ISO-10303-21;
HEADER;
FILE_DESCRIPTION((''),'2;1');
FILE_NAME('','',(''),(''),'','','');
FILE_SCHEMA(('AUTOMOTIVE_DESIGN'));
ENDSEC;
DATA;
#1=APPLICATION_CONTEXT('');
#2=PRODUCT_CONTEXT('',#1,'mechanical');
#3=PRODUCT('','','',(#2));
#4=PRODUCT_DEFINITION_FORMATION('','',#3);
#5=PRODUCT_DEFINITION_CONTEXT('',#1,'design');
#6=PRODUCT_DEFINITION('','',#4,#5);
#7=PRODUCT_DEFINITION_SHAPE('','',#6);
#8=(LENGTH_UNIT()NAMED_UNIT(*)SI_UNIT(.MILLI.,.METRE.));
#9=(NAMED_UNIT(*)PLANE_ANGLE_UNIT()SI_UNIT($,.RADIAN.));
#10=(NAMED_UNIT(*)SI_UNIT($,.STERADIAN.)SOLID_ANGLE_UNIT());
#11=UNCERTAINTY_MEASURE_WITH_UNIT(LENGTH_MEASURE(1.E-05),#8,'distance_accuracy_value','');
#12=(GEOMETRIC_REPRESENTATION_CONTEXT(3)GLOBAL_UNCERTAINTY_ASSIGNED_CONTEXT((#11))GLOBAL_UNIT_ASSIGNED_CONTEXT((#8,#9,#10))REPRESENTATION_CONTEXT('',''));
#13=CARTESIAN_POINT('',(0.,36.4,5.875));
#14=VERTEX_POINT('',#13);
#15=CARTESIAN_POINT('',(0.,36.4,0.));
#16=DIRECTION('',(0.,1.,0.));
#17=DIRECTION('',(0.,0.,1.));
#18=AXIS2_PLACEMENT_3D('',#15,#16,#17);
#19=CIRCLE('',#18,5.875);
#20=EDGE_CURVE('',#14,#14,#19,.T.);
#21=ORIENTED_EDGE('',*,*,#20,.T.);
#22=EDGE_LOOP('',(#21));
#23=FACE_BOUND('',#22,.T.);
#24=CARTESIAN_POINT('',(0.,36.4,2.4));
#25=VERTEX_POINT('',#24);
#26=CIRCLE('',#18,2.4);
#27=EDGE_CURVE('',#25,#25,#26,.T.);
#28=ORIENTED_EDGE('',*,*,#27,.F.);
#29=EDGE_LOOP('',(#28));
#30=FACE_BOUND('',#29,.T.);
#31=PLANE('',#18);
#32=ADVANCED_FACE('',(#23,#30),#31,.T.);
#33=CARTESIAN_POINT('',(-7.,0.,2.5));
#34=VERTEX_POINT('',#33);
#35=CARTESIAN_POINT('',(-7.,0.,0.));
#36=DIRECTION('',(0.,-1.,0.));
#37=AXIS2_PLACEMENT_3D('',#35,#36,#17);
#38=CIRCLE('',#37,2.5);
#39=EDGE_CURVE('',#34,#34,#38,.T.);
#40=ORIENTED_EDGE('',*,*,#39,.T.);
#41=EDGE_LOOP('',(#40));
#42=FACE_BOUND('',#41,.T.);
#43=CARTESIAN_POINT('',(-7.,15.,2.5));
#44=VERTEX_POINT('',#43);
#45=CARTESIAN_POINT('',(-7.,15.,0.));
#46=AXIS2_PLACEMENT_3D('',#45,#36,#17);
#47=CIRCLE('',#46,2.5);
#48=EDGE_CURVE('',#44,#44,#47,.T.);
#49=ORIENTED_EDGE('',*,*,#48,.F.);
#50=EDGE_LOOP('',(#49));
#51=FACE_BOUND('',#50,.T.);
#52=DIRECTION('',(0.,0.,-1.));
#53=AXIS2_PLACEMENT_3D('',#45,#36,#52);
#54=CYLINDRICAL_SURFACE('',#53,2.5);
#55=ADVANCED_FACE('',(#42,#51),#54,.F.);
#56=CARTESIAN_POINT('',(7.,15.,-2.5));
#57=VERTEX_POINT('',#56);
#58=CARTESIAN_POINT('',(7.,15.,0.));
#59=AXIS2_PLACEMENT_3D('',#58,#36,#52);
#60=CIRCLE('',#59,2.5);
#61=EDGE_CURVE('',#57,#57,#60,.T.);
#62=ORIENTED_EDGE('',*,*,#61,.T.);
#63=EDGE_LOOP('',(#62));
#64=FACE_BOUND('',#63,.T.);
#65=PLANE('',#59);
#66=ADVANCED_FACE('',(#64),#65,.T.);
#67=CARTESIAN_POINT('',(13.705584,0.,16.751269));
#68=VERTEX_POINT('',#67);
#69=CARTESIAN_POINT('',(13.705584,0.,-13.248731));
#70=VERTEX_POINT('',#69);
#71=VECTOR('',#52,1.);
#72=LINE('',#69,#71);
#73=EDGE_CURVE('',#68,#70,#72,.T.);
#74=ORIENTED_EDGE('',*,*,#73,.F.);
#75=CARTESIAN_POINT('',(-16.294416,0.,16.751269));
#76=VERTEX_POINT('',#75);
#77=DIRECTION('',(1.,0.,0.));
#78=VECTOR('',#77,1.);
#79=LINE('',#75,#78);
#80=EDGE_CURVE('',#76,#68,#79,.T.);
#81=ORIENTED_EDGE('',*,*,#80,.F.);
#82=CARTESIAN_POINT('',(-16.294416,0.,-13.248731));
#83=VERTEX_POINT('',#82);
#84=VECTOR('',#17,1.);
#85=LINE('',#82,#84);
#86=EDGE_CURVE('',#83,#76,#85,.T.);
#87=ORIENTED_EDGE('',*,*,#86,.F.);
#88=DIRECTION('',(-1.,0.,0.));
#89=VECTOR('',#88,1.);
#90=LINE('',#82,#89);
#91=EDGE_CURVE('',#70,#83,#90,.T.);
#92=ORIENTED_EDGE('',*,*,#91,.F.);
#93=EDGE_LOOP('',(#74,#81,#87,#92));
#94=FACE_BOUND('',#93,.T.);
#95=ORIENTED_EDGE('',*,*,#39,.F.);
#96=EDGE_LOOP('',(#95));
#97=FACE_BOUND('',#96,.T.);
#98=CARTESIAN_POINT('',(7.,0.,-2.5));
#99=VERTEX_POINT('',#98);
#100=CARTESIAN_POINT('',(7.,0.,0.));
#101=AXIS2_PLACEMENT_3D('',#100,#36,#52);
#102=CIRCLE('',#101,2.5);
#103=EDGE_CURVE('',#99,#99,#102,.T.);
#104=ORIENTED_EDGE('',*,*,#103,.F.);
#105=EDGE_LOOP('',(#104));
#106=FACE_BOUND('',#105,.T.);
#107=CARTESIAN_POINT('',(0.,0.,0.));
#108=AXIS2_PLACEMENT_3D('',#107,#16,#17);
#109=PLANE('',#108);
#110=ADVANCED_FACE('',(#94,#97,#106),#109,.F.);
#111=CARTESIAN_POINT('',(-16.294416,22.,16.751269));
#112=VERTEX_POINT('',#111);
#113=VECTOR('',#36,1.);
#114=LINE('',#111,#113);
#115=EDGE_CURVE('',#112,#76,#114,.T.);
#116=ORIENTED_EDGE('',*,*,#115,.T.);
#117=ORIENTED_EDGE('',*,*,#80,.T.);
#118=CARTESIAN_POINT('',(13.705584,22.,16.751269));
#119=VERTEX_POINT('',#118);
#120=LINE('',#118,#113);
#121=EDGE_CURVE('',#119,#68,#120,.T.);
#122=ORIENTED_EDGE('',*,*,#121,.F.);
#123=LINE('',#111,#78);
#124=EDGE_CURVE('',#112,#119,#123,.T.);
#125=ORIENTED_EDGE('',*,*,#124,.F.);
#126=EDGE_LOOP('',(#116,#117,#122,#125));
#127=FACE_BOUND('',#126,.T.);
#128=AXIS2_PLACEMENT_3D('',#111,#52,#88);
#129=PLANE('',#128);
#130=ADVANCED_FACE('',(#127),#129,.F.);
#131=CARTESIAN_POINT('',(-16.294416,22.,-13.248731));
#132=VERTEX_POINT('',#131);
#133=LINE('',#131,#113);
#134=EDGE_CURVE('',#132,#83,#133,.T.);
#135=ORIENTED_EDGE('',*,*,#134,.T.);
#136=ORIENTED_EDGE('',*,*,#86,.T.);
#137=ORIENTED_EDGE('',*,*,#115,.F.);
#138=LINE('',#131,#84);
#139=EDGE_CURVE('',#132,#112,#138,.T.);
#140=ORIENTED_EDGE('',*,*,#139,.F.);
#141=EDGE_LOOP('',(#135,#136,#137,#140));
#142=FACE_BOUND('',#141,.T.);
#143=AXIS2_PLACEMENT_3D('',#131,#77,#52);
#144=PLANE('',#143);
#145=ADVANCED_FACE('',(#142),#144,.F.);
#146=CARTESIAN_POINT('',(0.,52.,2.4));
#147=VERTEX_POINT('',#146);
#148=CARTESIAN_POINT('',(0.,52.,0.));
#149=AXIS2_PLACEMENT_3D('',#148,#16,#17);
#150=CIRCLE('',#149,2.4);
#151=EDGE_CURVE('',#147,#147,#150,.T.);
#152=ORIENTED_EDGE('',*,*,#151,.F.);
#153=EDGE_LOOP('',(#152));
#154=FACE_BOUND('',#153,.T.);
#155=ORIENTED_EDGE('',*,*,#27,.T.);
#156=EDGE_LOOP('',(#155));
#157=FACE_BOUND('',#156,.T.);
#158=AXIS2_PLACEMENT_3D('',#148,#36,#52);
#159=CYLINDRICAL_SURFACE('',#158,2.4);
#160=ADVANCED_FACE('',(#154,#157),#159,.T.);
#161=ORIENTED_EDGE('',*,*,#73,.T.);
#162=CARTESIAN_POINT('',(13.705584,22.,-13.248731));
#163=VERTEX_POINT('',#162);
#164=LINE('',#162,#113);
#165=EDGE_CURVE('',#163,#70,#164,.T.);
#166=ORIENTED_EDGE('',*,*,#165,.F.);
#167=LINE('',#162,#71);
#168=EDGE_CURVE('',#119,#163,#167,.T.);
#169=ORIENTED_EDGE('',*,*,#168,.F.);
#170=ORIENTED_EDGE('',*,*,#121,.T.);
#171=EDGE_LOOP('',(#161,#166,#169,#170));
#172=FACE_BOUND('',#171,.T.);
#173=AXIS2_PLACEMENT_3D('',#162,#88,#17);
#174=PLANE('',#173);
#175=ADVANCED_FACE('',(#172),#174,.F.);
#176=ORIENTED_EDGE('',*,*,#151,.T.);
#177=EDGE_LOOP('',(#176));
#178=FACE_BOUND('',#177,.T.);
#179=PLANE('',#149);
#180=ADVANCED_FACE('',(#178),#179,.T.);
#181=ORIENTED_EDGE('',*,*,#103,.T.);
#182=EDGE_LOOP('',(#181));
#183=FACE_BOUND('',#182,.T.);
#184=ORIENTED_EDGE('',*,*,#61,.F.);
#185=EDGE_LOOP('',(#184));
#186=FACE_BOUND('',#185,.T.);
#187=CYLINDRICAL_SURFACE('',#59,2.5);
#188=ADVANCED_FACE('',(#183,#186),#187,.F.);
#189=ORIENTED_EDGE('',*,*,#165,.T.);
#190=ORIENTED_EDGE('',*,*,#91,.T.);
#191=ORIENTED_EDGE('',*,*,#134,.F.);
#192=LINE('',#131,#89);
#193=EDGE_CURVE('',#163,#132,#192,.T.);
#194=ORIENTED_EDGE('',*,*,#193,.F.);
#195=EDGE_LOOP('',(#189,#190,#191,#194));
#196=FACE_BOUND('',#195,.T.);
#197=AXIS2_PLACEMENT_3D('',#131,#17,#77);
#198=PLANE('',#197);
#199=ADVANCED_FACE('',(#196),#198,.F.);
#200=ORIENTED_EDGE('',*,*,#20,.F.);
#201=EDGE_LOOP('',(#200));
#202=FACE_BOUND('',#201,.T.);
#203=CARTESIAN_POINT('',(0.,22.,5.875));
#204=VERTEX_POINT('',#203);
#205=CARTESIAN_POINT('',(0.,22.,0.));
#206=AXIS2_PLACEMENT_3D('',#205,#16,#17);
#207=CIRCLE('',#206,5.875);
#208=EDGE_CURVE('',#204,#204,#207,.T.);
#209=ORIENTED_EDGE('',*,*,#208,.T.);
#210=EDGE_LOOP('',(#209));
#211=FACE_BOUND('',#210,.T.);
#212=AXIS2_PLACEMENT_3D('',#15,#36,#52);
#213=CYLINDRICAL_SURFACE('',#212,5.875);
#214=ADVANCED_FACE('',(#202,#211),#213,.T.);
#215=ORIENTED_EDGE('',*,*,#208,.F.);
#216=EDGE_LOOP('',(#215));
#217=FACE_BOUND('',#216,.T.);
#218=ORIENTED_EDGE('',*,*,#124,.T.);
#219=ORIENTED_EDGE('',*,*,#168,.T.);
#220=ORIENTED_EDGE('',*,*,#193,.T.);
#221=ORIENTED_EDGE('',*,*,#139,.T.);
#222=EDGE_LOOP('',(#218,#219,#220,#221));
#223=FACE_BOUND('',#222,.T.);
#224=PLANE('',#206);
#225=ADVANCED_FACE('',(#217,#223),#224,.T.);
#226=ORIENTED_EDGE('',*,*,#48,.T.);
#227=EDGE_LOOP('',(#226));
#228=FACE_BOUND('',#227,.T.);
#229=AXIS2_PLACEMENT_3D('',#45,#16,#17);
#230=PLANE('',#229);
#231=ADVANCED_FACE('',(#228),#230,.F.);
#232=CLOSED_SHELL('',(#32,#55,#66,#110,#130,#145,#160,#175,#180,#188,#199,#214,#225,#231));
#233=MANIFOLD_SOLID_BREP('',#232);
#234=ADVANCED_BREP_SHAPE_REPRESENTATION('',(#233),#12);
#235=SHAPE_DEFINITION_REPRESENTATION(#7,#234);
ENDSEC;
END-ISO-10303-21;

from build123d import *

# Parameters (mm, degrees)
SKETCH_1_W          = 30
SKETCH_1_H          = 30
EXTRUDE_275_DEPTH   = 22
SKETCH_2_R          = 5.875
EXTRUDE_2_DEPTH     = 14.4
SKETCH_4_R          = 2.4
EXTRUDE_3_DEPTH     = 15.6
SKETCH_5_R          = 2.5
CUT_EXTRUDE_1_DEPTH = 15


with BuildPart() as part:
    # Эскиз1 → Extrude 275 (new body)
    with BuildSketch(Plane(origin=(0, 0, 0), x_dir=(1, 0, 0), z_dir=(0, 1, 0))):
        with Locations((-1.294416244, -1.751269036)):
            Rectangle(SKETCH_1_W, SKETCH_1_H)
    extrude(amount=EXTRUDE_275_DEPTH)

    # Эскиз2 → Бобышка-Вытянуть2 (add)
    with BuildSketch(Plane(origin=(0, 22, 0), x_dir=(1, 0, 0), z_dir=(0, 1, 0))):
        with Locations(Location((0, 0, 0), (0, 0, 270))):
            Circle(SKETCH_2_R)
    extrude(amount=EXTRUDE_2_DEPTH)

    # Эскиз4 → Бобышка-Вытянуть3 (add)
    with BuildSketch(Plane(origin=(0, 36.4, 0), x_dir=(1, 0, 0), z_dir=(0, 1, 0))):
        with Locations(Location((0, 0, 0), (0, 0, 270))):
            Circle(SKETCH_4_R)
    extrude(amount=EXTRUDE_3_DEPTH)

    # Эскиз5 → Вырез-Вытянуть1 (cut)
    with BuildSketch(Plane.XZ):
        with Locations(Location((7, 0, 0), (0, 0, 270))):
            Circle(SKETCH_5_R)
        with Locations(Location((-7, 0, 0), (0, 0, 90))):
            Circle(SKETCH_5_R)
    extrude(amount=-CUT_EXTRUDE_1_DEPTH, mode=Mode.SUBTRACT)


solid = part.part
